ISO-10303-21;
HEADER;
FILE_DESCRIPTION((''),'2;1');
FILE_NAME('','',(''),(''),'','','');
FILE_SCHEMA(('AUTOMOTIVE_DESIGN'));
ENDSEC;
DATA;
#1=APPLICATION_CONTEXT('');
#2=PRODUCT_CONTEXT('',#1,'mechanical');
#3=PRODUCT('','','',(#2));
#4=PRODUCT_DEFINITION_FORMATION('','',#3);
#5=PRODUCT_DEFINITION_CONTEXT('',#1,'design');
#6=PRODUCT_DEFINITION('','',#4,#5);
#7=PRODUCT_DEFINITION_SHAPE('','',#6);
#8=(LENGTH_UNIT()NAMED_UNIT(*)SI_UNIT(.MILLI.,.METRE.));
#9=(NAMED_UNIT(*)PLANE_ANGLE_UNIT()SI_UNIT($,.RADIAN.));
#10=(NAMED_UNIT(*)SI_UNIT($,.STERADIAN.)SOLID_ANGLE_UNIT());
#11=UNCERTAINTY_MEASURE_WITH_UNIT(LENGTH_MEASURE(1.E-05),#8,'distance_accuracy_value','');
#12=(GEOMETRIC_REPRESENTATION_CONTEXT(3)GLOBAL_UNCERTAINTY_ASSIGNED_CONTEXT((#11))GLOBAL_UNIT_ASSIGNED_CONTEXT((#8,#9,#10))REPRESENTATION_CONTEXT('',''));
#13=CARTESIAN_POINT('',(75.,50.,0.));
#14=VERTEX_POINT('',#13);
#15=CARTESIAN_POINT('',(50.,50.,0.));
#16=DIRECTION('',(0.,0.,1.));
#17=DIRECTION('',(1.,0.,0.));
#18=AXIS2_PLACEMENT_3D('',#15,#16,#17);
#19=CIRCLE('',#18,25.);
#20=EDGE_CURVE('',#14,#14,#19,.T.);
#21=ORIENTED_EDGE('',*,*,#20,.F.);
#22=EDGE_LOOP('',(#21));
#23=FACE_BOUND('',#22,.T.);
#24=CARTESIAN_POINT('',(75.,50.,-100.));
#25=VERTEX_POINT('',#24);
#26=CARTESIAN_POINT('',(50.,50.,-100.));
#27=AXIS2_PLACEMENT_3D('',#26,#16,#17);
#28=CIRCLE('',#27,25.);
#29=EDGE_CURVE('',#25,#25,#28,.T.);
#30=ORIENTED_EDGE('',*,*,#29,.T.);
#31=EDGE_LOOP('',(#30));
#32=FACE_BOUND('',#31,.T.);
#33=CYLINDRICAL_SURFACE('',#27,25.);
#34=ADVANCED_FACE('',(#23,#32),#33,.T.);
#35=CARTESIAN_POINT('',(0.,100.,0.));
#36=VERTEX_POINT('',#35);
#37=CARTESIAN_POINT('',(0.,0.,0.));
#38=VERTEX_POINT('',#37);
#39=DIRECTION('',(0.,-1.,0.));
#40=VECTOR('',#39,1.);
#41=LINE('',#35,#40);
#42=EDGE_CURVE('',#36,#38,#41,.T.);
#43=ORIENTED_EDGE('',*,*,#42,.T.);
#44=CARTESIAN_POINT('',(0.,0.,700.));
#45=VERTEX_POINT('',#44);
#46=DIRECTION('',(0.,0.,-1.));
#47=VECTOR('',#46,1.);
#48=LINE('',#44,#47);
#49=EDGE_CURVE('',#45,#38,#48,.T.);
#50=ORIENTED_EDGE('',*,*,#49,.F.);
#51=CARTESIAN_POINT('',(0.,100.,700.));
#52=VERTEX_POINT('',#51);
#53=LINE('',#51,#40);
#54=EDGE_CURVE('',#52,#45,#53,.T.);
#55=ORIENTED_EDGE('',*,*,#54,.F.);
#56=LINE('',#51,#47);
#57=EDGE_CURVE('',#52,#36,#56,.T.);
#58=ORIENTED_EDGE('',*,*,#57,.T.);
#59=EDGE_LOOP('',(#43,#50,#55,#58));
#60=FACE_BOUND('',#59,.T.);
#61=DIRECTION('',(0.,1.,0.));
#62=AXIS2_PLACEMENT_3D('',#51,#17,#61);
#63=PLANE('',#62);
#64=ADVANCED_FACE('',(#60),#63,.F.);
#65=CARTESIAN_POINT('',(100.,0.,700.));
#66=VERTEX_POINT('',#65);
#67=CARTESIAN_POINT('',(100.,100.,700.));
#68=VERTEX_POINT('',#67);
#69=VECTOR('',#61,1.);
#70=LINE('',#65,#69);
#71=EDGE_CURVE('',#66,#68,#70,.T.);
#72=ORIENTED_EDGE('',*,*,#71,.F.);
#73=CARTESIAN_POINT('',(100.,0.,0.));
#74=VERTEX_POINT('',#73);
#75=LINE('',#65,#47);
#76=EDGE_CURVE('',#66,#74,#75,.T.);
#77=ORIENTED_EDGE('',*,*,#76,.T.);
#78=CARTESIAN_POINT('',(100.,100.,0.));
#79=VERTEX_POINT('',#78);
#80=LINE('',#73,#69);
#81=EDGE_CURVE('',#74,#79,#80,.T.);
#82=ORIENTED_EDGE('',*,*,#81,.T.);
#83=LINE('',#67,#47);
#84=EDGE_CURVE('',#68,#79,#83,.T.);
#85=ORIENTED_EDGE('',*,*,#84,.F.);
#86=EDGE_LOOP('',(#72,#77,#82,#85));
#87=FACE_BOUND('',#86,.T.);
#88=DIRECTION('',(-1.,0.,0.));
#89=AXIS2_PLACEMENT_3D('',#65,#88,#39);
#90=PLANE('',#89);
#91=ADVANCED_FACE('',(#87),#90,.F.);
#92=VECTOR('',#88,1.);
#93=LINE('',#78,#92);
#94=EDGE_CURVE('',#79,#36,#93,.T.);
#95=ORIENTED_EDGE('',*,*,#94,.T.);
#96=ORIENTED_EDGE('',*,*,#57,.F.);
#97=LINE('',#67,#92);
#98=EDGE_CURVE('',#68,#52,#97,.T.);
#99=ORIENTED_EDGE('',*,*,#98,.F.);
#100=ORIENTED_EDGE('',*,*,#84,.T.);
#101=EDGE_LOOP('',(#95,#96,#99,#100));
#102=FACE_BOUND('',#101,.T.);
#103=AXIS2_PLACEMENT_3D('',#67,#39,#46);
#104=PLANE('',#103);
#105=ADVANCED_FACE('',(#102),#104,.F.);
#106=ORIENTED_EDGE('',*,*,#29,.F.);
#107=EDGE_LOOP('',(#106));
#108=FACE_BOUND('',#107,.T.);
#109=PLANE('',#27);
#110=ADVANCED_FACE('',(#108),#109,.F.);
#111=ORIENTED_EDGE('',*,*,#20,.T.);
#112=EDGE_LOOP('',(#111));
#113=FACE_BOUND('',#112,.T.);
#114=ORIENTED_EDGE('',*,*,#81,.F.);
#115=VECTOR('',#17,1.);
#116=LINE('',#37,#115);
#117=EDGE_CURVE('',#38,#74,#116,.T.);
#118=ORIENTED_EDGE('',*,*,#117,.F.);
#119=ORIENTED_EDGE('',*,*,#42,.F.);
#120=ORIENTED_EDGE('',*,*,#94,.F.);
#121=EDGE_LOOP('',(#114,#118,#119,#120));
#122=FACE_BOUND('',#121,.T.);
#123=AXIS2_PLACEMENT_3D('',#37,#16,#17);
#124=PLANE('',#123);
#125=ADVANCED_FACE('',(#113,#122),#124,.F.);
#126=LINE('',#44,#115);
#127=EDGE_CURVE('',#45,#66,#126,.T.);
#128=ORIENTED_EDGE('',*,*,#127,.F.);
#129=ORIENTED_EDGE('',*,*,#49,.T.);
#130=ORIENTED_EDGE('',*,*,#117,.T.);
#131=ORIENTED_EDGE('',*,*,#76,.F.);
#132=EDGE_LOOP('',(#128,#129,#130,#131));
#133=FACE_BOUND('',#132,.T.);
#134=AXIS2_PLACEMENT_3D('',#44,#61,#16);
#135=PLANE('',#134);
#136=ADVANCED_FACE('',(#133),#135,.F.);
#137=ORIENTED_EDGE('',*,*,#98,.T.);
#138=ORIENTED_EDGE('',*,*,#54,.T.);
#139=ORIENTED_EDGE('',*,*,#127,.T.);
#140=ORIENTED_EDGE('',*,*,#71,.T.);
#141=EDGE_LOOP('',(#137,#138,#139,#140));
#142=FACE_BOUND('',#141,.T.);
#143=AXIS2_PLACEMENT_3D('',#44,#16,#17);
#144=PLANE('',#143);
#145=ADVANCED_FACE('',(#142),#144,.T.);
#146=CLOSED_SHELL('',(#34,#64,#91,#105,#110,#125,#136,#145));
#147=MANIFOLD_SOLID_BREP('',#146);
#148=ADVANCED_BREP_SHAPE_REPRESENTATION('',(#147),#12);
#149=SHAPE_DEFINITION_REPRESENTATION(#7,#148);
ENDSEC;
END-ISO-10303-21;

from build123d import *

# Parameters (mm, degrees)
SKETCH1_W           = 100
SKETCH1_H           = 100
BOSS_EXTRUDE1_DEPTH = 700
SKETCH2_R           = 25
BOSS_EXTRUDE2_DEPTH = 100


with BuildPart() as part:
    # Sketch1 → Boss-Extrude1 (new body)
    with BuildSketch(Plane.XY):
        with Locations((50, 50)):
            Rectangle(SKETCH1_W, SKETCH1_H)
    extrude(amount=BOSS_EXTRUDE1_DEPTH)

    # Sketch2 → Boss-Extrude2 (add)
    with BuildSketch(Plane.XY):
        with Locations((50, 50)):
            Circle(SKETCH2_R)
    extrude(amount=-BOSS_EXTRUDE2_DEPTH)


solid = part.part
